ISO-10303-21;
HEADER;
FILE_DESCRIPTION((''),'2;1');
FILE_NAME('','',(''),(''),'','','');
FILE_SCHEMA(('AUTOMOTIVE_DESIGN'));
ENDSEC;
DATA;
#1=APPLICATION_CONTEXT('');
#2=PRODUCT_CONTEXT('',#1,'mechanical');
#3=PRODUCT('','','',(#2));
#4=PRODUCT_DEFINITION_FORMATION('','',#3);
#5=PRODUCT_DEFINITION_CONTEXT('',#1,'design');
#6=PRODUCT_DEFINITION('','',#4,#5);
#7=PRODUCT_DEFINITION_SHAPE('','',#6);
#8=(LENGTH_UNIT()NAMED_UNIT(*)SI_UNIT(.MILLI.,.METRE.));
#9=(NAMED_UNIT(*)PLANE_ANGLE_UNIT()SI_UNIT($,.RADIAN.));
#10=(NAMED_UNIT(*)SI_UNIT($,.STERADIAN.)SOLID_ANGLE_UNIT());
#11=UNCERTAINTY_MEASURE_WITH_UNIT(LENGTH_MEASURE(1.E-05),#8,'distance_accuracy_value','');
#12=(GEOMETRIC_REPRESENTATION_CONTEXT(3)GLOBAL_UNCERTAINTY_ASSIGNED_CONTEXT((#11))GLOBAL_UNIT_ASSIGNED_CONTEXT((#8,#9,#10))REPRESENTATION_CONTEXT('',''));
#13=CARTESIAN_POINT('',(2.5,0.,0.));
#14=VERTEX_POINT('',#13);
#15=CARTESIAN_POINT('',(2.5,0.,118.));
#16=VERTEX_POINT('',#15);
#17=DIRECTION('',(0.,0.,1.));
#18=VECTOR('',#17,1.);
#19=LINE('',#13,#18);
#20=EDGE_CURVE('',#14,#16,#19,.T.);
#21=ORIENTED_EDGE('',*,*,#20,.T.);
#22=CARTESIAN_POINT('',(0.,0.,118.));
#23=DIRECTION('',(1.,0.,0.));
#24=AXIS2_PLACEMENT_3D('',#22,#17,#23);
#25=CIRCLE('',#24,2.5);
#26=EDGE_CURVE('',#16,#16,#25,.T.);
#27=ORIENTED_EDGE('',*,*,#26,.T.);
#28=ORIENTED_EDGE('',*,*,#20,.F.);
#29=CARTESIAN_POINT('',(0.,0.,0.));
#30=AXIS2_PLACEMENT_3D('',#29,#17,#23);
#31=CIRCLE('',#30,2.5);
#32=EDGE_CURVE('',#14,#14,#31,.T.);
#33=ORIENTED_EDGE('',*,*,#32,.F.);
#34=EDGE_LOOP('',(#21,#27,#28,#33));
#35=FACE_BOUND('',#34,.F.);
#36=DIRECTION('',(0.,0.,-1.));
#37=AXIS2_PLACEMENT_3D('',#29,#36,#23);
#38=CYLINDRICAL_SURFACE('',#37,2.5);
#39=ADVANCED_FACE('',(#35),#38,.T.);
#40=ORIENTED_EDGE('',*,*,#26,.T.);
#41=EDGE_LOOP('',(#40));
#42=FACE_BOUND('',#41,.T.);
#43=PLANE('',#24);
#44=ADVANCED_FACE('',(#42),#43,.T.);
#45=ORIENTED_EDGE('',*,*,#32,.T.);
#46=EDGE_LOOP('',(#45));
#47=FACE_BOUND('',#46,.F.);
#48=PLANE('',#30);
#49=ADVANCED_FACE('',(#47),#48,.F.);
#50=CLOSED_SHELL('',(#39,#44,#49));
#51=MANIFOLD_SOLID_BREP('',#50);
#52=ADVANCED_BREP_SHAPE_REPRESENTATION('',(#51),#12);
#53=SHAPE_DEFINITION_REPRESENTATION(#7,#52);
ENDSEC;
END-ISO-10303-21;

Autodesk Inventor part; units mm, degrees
ref_plane "YZ Plane" through (0, 0, 0) normal (1, 0, 0) x (0, 1, 0)
ref_plane "XZ Plane" through (0, 0, 0) normal (0, 1, 0) x (-1, 0, 0)
ref_plane "XY Plane" through (0, 0, 0) normal (0, 0, 1) x (1, 0, 0)
sketch "Sketch3" plane through (0, 0, 0) normal (0, 0, 1) x (1, 0, 0)
  circle A0 centre (0, 0) radius 2.5
  dimension "d3" = 5
extrude "Extrusion1" add sketch "Sketch3" along normal blind 118
thread "Thread1" size "M5x0.8" class "6g" standard "ANSI Metric M Profile" full length
properties part number "barra-roscada" material "Steel, Mild"
